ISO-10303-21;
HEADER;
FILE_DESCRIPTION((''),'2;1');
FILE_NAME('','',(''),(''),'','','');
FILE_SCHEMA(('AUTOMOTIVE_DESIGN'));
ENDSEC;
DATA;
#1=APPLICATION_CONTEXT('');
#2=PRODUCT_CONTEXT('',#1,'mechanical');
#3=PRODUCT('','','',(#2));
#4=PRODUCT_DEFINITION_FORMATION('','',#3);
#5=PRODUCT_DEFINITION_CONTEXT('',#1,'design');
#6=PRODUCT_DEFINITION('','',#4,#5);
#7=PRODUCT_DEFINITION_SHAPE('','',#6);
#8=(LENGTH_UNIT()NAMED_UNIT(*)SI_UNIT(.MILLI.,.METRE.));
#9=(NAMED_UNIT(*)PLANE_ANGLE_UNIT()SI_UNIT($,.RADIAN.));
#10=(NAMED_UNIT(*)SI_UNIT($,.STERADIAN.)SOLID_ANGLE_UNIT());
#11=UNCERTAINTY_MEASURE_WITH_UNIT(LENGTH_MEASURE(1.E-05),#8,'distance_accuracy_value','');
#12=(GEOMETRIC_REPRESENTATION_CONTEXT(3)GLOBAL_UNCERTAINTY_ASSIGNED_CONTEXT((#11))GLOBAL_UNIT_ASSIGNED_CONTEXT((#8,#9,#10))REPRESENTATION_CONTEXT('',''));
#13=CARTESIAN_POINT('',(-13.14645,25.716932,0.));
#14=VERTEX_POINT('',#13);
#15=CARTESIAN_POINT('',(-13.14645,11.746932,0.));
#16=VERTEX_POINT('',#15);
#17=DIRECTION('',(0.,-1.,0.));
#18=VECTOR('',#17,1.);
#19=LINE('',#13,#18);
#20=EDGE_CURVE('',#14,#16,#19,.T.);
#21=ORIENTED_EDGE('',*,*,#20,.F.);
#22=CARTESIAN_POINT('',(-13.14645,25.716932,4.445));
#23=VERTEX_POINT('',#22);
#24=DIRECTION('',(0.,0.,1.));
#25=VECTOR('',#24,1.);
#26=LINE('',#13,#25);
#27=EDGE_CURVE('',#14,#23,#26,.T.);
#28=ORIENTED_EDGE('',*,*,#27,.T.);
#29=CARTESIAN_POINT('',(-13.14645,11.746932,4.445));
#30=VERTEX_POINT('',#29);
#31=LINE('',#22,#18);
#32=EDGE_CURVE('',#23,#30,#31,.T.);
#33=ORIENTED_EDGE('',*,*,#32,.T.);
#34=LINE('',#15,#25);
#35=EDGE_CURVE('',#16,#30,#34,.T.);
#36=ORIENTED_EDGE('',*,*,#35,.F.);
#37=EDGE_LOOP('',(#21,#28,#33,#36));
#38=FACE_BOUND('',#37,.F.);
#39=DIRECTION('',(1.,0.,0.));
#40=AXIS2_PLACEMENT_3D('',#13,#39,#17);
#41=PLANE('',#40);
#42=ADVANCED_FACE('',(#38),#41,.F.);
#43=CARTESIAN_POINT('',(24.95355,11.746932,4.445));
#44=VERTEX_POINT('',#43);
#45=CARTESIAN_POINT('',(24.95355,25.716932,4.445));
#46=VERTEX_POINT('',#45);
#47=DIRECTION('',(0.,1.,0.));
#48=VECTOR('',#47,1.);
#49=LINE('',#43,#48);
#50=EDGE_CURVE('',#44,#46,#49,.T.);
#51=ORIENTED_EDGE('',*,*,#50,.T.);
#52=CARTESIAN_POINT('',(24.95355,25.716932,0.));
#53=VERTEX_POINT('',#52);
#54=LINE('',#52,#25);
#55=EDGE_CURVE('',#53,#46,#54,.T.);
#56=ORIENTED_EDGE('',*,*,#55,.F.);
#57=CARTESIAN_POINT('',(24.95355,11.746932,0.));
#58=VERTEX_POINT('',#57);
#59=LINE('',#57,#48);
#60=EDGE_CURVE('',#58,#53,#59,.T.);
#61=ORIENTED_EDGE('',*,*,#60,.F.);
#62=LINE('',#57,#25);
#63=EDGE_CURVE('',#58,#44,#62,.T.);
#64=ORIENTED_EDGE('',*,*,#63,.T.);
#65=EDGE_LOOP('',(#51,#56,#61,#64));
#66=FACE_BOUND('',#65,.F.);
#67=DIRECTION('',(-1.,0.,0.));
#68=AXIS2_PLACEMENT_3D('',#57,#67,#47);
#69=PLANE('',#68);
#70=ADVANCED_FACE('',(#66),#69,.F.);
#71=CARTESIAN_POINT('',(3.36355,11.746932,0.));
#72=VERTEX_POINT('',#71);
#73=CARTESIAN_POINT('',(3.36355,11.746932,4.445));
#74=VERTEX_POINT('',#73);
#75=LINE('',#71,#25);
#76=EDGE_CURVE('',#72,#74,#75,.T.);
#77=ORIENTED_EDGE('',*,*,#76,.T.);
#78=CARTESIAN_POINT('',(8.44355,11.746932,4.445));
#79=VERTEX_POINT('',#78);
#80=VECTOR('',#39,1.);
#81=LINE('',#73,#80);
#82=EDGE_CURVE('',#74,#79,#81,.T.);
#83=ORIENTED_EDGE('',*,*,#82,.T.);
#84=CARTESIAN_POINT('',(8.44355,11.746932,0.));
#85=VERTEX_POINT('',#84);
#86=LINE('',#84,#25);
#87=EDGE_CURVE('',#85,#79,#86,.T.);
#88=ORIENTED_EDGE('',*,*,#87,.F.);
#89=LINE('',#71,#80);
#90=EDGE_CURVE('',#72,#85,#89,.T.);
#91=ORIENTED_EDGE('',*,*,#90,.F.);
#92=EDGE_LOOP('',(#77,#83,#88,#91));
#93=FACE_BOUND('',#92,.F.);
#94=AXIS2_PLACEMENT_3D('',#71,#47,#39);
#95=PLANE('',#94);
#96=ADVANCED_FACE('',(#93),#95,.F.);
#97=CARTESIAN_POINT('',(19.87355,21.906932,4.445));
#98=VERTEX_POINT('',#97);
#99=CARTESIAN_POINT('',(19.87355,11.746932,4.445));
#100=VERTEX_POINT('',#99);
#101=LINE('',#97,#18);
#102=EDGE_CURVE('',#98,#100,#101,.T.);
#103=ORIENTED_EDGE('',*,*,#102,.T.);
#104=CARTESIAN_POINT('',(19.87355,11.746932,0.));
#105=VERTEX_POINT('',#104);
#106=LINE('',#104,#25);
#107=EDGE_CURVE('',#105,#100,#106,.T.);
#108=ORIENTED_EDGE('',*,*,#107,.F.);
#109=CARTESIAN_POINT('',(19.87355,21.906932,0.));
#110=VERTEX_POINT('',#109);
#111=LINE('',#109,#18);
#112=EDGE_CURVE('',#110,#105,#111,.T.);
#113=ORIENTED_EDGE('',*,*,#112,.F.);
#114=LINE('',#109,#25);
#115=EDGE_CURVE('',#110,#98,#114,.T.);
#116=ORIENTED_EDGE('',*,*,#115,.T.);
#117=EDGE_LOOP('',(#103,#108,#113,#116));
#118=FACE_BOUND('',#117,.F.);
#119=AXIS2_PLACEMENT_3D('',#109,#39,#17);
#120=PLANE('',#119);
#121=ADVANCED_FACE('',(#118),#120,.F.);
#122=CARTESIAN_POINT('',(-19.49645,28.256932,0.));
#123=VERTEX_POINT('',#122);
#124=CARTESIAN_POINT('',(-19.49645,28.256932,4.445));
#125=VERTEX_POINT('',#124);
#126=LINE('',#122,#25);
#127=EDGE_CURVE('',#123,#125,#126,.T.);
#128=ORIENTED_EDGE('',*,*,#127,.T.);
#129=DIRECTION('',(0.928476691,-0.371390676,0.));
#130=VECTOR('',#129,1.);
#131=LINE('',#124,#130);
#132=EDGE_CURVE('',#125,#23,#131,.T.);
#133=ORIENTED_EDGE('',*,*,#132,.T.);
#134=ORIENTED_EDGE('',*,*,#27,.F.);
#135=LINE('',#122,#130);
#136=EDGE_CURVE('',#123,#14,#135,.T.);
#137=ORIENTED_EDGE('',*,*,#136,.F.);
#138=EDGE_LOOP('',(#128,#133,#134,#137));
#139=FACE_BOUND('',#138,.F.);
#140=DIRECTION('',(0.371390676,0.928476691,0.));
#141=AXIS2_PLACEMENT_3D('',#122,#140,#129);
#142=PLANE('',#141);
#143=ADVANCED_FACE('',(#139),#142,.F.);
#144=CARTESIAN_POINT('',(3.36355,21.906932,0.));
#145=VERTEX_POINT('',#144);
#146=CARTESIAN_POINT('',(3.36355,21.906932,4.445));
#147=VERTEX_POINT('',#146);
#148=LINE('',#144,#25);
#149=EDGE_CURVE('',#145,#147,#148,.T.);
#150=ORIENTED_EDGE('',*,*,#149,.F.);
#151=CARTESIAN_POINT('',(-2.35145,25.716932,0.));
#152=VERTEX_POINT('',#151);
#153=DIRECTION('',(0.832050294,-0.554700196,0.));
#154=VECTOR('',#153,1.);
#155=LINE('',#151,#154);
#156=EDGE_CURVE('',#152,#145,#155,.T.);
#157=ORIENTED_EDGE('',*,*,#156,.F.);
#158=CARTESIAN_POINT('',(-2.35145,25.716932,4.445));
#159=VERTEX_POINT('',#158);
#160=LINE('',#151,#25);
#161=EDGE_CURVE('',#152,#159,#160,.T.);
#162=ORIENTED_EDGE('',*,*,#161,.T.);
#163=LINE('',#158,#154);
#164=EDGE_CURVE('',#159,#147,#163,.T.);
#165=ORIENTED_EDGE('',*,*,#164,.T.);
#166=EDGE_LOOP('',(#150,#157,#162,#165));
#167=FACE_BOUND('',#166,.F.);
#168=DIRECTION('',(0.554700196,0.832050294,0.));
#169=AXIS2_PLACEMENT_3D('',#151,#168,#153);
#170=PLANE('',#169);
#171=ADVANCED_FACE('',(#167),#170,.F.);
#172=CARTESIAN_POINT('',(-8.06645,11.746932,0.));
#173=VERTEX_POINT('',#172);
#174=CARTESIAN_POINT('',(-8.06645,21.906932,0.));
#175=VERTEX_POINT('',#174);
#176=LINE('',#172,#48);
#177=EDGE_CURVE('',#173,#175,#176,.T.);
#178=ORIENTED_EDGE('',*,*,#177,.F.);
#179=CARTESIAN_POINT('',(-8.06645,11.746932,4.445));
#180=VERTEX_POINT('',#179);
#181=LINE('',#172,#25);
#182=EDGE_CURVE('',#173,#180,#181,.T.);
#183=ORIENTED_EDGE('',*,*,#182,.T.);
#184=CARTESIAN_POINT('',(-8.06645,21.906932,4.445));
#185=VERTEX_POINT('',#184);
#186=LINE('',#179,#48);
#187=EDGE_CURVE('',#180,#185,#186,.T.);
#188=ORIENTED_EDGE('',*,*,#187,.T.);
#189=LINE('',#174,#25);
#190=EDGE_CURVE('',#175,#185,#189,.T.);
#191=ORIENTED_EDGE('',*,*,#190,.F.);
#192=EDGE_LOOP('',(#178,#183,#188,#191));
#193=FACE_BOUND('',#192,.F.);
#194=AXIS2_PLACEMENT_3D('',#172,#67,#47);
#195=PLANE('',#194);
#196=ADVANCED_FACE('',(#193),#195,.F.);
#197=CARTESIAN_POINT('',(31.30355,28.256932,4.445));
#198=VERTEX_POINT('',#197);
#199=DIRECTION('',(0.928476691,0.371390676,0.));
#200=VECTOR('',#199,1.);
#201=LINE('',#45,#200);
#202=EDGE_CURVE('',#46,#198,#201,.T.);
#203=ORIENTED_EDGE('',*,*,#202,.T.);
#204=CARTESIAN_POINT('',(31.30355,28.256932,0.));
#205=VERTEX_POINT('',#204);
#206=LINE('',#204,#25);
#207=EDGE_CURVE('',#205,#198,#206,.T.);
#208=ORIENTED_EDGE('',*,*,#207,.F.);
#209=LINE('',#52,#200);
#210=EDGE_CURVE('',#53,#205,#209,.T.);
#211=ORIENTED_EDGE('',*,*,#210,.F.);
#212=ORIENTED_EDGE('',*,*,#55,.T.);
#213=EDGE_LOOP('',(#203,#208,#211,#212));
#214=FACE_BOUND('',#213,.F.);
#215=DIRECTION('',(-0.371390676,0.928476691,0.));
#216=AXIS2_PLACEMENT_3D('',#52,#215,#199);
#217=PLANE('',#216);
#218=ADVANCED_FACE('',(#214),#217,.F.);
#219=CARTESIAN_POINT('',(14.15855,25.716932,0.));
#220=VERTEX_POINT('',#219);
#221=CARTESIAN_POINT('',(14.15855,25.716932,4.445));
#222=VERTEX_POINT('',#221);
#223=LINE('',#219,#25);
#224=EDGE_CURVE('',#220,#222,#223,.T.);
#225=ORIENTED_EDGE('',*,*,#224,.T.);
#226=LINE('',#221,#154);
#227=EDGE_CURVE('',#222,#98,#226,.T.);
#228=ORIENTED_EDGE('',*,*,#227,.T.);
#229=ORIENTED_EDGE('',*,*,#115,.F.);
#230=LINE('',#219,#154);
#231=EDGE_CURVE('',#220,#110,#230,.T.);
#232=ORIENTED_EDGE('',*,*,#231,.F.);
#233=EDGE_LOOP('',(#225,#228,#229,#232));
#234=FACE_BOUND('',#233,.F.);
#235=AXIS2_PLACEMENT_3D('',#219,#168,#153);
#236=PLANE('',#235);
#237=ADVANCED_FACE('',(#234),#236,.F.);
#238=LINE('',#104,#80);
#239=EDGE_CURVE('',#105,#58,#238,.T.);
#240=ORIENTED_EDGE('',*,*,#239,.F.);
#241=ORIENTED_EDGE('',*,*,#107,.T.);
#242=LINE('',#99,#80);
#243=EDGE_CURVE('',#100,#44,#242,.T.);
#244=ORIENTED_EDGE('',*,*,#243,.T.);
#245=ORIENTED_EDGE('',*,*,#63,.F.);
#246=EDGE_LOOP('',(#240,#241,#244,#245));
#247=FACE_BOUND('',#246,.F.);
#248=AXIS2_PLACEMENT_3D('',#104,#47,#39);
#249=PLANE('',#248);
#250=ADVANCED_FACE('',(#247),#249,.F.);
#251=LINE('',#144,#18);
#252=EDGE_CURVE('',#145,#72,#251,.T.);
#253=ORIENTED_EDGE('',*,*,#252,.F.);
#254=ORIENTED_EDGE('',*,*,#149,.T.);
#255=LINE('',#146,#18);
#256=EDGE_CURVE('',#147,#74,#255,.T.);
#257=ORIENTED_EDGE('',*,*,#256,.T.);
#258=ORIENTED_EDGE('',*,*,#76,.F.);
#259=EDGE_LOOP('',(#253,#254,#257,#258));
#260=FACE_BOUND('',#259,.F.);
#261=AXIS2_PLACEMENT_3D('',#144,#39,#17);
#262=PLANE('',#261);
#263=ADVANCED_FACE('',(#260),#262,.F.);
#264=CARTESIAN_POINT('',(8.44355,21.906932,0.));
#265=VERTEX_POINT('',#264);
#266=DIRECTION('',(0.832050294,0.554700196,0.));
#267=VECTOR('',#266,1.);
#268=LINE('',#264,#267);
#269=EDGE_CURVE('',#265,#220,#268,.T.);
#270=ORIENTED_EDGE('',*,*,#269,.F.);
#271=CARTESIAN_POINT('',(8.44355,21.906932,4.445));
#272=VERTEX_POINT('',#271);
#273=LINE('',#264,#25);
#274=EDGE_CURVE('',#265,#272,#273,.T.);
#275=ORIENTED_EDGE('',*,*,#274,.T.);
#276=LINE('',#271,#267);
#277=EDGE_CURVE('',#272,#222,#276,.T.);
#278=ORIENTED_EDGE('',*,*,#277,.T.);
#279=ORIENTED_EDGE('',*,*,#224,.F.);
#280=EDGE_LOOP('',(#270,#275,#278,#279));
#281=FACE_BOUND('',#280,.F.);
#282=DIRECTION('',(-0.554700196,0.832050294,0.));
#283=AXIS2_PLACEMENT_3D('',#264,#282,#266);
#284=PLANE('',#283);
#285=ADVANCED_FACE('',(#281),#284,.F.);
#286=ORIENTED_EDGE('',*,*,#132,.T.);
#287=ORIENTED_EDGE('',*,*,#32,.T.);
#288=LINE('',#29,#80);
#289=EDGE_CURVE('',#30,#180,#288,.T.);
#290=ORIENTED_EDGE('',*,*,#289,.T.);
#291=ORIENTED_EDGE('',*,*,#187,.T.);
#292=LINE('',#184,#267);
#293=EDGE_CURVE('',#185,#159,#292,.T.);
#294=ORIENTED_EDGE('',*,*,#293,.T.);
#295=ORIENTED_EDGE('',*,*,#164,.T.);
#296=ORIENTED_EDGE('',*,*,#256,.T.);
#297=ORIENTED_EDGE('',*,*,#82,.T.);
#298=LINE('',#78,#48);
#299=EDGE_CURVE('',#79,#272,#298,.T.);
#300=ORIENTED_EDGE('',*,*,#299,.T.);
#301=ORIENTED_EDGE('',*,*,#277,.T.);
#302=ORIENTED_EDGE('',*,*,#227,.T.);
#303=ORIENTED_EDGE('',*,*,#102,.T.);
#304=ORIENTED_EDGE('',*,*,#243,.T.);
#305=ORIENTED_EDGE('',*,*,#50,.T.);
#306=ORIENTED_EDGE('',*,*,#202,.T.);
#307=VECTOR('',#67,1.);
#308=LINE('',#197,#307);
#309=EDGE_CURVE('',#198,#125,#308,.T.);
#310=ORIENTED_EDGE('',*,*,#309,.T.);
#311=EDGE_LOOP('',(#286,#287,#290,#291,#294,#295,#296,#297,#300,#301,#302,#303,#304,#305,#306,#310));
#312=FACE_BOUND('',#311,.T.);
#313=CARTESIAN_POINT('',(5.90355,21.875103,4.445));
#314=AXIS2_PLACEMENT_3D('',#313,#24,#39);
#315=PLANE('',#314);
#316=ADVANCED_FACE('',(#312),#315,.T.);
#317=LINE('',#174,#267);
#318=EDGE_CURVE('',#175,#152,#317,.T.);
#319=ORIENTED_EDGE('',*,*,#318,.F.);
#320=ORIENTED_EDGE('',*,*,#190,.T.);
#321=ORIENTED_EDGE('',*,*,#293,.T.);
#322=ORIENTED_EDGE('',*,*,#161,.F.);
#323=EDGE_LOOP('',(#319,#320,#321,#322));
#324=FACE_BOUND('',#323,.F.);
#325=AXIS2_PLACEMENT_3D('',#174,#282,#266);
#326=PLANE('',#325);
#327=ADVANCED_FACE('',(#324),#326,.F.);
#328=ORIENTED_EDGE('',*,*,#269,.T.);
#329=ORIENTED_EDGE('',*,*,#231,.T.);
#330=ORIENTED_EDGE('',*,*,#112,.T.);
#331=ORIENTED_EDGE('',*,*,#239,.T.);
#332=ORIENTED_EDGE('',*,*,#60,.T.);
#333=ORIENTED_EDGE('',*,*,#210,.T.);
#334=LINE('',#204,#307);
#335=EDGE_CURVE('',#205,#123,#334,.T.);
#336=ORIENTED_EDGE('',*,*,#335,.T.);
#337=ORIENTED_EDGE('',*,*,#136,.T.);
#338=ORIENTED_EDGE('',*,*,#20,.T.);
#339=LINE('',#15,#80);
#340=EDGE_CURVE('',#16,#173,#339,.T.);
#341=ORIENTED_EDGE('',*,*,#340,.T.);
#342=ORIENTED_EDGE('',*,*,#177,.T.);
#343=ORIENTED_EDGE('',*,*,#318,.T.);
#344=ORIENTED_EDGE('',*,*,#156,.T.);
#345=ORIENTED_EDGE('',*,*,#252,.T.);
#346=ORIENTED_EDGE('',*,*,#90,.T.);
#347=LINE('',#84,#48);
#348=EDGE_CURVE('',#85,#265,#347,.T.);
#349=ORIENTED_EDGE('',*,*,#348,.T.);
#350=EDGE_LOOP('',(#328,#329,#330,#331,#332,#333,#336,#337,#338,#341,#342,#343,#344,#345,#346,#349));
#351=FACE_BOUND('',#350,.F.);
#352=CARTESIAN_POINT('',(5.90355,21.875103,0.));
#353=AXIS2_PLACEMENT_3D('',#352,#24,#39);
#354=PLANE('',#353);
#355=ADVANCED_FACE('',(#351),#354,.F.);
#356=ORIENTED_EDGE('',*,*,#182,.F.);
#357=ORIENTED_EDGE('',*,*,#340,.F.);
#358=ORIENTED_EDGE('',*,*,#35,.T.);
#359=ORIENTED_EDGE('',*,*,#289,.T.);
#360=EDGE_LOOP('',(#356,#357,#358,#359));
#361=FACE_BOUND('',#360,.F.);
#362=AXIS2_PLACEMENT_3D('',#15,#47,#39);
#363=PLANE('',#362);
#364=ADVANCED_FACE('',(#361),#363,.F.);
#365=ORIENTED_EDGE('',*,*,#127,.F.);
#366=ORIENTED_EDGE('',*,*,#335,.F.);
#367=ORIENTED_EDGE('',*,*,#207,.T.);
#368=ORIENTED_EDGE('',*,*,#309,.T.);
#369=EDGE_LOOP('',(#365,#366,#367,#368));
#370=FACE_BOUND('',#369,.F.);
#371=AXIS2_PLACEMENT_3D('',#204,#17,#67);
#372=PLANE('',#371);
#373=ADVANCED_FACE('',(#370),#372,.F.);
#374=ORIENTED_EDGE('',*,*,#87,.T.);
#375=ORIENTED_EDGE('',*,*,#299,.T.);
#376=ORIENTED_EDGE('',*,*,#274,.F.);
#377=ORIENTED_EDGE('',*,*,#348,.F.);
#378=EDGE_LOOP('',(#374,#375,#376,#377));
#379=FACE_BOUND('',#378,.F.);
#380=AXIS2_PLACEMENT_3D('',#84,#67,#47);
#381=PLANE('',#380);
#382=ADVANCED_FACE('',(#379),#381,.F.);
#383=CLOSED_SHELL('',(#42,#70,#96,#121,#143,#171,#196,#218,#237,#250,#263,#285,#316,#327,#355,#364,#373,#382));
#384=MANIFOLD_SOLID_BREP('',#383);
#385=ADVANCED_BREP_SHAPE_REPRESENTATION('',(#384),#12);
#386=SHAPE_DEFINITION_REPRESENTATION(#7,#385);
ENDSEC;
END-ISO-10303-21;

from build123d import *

# Parameters (mm, degrees)
F1_DEPTH = 4.445


with BuildPart() as f1:
    # F0 (on Top) → F1 (new body)
    with BuildSketch(Plane.XY):
        Polygon((-8.06645, 28.256932), (-13.14645, 28.256932), (-19.49645, 28.256932), (-13.14645, 25.716932), (-13.14645, 11.746932), (-8.06645, 11.746932), (-8.06645, 21.906932), (-2.35145, 25.716932), (3.36355, 21.906932), (3.36355, 11.746932), (8.44355, 11.746932), (8.44355, 21.906932), (14.15855, 25.716932), (19.87355, 21.906932), (19.87355, 11.746932), (24.95355, 11.746932), (24.95355, 25.716932), (31.30355, 28.256932), (24.95355, 28.256932), (19.87355, 28.256932), (7.17355, 28.256932), (2.09355, 28.256932), align=None)
    extrude(amount=F1_DEPTH)


solid = f1.part
